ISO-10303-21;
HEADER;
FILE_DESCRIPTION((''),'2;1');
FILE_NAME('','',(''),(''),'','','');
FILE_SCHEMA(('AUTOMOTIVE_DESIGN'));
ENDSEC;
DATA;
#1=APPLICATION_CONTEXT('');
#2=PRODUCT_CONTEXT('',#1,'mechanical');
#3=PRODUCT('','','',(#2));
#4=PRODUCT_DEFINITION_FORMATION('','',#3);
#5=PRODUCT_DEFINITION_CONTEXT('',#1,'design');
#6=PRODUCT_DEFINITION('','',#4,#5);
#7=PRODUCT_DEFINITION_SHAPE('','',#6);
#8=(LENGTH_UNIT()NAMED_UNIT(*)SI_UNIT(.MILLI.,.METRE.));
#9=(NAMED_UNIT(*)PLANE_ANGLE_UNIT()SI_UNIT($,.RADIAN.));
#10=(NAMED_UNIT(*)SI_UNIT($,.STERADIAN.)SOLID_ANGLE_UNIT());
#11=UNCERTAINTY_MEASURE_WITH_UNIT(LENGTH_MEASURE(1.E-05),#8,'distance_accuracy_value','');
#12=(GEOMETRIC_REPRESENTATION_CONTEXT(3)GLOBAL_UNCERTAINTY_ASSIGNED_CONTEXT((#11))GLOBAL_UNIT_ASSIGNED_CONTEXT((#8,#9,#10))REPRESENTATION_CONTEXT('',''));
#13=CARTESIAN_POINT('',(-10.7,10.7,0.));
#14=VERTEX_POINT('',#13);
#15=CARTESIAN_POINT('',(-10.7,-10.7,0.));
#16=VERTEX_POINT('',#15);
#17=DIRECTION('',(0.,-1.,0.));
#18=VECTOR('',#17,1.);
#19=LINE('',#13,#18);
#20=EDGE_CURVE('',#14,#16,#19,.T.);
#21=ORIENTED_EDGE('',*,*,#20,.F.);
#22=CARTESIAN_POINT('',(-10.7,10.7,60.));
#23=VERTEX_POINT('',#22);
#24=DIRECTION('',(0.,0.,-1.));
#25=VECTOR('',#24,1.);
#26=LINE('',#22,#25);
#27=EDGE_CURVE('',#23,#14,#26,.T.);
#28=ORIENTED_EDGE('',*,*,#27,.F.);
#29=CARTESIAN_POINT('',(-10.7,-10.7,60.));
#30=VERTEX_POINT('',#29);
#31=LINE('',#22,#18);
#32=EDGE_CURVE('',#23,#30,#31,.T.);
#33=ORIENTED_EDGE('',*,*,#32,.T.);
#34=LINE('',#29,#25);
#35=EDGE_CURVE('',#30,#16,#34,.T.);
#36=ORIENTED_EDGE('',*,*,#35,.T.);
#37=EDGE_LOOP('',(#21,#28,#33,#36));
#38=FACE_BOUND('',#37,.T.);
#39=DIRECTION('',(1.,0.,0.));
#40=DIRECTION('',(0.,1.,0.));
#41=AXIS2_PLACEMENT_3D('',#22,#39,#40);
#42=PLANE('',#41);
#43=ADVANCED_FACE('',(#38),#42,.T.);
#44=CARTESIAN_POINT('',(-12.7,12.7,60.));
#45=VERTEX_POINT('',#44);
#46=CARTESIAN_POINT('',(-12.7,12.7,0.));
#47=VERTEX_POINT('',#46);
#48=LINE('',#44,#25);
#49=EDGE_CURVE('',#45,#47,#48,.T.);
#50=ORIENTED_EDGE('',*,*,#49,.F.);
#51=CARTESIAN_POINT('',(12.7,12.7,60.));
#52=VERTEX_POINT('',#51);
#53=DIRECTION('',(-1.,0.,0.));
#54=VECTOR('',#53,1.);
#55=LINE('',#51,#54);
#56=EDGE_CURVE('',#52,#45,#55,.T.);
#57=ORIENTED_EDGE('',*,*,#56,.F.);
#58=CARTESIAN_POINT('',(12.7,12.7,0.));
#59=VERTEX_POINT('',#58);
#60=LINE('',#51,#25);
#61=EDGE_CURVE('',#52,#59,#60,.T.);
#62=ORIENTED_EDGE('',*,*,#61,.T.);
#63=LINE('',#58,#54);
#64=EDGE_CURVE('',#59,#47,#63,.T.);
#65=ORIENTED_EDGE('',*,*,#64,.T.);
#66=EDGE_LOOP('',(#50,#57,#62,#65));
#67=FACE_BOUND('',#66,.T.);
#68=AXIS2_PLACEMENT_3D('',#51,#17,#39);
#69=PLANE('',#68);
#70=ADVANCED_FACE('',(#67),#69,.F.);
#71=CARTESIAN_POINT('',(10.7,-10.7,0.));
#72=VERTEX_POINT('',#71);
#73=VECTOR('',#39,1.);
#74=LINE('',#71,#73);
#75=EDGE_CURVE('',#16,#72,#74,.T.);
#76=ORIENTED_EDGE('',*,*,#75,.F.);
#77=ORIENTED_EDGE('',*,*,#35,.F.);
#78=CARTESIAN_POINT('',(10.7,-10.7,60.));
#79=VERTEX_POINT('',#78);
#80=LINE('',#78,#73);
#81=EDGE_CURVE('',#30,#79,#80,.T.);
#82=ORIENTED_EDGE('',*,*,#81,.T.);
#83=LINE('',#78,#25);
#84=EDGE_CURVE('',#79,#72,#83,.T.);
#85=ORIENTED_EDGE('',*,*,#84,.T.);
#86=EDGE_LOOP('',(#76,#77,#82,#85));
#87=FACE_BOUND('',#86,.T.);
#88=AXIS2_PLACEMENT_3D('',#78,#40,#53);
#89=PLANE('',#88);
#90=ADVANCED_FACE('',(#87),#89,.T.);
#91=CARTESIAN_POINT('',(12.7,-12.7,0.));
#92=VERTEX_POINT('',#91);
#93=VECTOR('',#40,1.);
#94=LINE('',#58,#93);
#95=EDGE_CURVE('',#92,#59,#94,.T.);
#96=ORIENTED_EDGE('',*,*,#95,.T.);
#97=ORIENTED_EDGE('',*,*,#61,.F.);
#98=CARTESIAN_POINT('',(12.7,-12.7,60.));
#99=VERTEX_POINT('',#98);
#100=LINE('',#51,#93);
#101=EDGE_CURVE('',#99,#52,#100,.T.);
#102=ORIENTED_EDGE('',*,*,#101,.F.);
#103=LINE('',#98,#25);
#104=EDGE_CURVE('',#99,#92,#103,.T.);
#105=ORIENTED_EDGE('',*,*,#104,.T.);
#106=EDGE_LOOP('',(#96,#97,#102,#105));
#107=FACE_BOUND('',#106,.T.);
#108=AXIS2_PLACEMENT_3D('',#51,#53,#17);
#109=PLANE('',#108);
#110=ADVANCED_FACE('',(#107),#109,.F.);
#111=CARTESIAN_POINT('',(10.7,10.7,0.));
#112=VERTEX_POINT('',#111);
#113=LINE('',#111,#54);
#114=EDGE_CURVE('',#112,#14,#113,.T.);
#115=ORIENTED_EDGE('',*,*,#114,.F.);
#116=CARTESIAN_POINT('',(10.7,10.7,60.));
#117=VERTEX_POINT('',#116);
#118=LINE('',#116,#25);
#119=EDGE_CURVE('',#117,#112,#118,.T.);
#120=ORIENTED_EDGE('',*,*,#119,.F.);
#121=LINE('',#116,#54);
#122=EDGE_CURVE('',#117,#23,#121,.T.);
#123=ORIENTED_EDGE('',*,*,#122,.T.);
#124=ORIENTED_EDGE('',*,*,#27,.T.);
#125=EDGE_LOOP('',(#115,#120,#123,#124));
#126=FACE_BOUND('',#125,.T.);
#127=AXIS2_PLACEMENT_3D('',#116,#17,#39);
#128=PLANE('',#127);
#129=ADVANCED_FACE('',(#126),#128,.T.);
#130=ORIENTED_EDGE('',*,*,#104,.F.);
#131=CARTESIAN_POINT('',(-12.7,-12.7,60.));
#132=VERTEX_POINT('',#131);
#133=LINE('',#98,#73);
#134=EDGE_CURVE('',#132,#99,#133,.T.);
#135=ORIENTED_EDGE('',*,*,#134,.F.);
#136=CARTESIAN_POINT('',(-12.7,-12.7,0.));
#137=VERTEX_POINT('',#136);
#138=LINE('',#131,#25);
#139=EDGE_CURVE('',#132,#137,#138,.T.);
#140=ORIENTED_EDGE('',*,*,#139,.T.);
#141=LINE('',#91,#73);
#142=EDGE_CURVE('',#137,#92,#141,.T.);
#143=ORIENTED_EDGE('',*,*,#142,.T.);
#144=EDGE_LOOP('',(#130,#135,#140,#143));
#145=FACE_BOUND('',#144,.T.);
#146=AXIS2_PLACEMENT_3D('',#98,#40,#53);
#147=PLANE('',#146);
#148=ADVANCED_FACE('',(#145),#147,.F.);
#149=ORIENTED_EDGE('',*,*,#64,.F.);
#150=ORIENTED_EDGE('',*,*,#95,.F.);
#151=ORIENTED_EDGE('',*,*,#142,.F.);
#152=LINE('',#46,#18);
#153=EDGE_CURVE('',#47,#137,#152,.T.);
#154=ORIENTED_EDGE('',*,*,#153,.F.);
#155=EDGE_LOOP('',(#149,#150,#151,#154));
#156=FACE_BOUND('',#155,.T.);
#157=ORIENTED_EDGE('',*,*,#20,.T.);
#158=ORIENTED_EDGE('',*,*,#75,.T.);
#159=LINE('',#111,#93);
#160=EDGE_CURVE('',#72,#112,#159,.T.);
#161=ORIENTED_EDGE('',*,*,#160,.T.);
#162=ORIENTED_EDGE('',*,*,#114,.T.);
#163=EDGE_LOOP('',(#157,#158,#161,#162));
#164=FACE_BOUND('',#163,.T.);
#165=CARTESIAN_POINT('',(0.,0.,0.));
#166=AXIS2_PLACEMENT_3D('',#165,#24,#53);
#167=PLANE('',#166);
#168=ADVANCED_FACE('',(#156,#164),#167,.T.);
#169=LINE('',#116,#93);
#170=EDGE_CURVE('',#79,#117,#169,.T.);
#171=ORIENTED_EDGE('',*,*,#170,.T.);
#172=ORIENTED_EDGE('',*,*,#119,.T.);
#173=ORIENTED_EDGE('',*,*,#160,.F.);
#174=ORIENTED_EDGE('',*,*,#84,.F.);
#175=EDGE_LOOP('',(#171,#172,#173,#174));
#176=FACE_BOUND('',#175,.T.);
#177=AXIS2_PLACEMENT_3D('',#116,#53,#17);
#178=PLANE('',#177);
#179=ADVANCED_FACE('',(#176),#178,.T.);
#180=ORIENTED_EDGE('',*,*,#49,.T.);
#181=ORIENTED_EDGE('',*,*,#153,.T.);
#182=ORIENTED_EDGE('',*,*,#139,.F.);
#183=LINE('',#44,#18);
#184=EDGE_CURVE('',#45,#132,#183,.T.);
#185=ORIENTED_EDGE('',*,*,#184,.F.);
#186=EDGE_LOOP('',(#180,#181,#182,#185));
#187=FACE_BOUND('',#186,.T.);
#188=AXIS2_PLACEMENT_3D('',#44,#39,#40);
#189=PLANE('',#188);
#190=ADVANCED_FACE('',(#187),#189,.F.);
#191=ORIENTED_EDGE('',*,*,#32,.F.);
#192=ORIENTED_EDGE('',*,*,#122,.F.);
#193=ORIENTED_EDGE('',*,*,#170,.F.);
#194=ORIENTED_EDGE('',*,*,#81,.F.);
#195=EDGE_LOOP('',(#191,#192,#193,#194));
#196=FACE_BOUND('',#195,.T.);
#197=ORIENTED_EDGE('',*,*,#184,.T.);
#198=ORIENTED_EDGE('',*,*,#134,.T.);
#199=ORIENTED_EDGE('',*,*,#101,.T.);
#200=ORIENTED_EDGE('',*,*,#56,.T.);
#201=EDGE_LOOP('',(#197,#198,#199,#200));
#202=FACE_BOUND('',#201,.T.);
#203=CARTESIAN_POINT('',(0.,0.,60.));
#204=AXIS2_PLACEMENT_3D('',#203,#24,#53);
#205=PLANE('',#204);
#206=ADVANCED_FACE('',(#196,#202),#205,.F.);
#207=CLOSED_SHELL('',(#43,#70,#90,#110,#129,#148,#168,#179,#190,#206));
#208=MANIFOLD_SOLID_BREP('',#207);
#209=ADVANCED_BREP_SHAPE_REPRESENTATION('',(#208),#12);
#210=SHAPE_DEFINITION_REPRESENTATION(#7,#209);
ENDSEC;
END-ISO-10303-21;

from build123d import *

# Parameters (mm, degrees)
SKETCH1_W           = 25.4
SKETCH1_H           = 25.4
SKETCH1_W_2         = 21.4
SKETCH1_H_2         = 21.4
BOSS_EXTRUDE1_DEPTH = 60


with BuildPart() as part:
    # Sketch1 → Boss-Extrude1 (new body)
    with BuildSketch(Plane.XY):
        Rectangle(SKETCH1_W, SKETCH1_H)
        Rectangle(SKETCH1_W_2, SKETCH1_H_2, mode=Mode.SUBTRACT)
    extrude(amount=BOSS_EXTRUDE1_DEPTH)


solid = part.part
